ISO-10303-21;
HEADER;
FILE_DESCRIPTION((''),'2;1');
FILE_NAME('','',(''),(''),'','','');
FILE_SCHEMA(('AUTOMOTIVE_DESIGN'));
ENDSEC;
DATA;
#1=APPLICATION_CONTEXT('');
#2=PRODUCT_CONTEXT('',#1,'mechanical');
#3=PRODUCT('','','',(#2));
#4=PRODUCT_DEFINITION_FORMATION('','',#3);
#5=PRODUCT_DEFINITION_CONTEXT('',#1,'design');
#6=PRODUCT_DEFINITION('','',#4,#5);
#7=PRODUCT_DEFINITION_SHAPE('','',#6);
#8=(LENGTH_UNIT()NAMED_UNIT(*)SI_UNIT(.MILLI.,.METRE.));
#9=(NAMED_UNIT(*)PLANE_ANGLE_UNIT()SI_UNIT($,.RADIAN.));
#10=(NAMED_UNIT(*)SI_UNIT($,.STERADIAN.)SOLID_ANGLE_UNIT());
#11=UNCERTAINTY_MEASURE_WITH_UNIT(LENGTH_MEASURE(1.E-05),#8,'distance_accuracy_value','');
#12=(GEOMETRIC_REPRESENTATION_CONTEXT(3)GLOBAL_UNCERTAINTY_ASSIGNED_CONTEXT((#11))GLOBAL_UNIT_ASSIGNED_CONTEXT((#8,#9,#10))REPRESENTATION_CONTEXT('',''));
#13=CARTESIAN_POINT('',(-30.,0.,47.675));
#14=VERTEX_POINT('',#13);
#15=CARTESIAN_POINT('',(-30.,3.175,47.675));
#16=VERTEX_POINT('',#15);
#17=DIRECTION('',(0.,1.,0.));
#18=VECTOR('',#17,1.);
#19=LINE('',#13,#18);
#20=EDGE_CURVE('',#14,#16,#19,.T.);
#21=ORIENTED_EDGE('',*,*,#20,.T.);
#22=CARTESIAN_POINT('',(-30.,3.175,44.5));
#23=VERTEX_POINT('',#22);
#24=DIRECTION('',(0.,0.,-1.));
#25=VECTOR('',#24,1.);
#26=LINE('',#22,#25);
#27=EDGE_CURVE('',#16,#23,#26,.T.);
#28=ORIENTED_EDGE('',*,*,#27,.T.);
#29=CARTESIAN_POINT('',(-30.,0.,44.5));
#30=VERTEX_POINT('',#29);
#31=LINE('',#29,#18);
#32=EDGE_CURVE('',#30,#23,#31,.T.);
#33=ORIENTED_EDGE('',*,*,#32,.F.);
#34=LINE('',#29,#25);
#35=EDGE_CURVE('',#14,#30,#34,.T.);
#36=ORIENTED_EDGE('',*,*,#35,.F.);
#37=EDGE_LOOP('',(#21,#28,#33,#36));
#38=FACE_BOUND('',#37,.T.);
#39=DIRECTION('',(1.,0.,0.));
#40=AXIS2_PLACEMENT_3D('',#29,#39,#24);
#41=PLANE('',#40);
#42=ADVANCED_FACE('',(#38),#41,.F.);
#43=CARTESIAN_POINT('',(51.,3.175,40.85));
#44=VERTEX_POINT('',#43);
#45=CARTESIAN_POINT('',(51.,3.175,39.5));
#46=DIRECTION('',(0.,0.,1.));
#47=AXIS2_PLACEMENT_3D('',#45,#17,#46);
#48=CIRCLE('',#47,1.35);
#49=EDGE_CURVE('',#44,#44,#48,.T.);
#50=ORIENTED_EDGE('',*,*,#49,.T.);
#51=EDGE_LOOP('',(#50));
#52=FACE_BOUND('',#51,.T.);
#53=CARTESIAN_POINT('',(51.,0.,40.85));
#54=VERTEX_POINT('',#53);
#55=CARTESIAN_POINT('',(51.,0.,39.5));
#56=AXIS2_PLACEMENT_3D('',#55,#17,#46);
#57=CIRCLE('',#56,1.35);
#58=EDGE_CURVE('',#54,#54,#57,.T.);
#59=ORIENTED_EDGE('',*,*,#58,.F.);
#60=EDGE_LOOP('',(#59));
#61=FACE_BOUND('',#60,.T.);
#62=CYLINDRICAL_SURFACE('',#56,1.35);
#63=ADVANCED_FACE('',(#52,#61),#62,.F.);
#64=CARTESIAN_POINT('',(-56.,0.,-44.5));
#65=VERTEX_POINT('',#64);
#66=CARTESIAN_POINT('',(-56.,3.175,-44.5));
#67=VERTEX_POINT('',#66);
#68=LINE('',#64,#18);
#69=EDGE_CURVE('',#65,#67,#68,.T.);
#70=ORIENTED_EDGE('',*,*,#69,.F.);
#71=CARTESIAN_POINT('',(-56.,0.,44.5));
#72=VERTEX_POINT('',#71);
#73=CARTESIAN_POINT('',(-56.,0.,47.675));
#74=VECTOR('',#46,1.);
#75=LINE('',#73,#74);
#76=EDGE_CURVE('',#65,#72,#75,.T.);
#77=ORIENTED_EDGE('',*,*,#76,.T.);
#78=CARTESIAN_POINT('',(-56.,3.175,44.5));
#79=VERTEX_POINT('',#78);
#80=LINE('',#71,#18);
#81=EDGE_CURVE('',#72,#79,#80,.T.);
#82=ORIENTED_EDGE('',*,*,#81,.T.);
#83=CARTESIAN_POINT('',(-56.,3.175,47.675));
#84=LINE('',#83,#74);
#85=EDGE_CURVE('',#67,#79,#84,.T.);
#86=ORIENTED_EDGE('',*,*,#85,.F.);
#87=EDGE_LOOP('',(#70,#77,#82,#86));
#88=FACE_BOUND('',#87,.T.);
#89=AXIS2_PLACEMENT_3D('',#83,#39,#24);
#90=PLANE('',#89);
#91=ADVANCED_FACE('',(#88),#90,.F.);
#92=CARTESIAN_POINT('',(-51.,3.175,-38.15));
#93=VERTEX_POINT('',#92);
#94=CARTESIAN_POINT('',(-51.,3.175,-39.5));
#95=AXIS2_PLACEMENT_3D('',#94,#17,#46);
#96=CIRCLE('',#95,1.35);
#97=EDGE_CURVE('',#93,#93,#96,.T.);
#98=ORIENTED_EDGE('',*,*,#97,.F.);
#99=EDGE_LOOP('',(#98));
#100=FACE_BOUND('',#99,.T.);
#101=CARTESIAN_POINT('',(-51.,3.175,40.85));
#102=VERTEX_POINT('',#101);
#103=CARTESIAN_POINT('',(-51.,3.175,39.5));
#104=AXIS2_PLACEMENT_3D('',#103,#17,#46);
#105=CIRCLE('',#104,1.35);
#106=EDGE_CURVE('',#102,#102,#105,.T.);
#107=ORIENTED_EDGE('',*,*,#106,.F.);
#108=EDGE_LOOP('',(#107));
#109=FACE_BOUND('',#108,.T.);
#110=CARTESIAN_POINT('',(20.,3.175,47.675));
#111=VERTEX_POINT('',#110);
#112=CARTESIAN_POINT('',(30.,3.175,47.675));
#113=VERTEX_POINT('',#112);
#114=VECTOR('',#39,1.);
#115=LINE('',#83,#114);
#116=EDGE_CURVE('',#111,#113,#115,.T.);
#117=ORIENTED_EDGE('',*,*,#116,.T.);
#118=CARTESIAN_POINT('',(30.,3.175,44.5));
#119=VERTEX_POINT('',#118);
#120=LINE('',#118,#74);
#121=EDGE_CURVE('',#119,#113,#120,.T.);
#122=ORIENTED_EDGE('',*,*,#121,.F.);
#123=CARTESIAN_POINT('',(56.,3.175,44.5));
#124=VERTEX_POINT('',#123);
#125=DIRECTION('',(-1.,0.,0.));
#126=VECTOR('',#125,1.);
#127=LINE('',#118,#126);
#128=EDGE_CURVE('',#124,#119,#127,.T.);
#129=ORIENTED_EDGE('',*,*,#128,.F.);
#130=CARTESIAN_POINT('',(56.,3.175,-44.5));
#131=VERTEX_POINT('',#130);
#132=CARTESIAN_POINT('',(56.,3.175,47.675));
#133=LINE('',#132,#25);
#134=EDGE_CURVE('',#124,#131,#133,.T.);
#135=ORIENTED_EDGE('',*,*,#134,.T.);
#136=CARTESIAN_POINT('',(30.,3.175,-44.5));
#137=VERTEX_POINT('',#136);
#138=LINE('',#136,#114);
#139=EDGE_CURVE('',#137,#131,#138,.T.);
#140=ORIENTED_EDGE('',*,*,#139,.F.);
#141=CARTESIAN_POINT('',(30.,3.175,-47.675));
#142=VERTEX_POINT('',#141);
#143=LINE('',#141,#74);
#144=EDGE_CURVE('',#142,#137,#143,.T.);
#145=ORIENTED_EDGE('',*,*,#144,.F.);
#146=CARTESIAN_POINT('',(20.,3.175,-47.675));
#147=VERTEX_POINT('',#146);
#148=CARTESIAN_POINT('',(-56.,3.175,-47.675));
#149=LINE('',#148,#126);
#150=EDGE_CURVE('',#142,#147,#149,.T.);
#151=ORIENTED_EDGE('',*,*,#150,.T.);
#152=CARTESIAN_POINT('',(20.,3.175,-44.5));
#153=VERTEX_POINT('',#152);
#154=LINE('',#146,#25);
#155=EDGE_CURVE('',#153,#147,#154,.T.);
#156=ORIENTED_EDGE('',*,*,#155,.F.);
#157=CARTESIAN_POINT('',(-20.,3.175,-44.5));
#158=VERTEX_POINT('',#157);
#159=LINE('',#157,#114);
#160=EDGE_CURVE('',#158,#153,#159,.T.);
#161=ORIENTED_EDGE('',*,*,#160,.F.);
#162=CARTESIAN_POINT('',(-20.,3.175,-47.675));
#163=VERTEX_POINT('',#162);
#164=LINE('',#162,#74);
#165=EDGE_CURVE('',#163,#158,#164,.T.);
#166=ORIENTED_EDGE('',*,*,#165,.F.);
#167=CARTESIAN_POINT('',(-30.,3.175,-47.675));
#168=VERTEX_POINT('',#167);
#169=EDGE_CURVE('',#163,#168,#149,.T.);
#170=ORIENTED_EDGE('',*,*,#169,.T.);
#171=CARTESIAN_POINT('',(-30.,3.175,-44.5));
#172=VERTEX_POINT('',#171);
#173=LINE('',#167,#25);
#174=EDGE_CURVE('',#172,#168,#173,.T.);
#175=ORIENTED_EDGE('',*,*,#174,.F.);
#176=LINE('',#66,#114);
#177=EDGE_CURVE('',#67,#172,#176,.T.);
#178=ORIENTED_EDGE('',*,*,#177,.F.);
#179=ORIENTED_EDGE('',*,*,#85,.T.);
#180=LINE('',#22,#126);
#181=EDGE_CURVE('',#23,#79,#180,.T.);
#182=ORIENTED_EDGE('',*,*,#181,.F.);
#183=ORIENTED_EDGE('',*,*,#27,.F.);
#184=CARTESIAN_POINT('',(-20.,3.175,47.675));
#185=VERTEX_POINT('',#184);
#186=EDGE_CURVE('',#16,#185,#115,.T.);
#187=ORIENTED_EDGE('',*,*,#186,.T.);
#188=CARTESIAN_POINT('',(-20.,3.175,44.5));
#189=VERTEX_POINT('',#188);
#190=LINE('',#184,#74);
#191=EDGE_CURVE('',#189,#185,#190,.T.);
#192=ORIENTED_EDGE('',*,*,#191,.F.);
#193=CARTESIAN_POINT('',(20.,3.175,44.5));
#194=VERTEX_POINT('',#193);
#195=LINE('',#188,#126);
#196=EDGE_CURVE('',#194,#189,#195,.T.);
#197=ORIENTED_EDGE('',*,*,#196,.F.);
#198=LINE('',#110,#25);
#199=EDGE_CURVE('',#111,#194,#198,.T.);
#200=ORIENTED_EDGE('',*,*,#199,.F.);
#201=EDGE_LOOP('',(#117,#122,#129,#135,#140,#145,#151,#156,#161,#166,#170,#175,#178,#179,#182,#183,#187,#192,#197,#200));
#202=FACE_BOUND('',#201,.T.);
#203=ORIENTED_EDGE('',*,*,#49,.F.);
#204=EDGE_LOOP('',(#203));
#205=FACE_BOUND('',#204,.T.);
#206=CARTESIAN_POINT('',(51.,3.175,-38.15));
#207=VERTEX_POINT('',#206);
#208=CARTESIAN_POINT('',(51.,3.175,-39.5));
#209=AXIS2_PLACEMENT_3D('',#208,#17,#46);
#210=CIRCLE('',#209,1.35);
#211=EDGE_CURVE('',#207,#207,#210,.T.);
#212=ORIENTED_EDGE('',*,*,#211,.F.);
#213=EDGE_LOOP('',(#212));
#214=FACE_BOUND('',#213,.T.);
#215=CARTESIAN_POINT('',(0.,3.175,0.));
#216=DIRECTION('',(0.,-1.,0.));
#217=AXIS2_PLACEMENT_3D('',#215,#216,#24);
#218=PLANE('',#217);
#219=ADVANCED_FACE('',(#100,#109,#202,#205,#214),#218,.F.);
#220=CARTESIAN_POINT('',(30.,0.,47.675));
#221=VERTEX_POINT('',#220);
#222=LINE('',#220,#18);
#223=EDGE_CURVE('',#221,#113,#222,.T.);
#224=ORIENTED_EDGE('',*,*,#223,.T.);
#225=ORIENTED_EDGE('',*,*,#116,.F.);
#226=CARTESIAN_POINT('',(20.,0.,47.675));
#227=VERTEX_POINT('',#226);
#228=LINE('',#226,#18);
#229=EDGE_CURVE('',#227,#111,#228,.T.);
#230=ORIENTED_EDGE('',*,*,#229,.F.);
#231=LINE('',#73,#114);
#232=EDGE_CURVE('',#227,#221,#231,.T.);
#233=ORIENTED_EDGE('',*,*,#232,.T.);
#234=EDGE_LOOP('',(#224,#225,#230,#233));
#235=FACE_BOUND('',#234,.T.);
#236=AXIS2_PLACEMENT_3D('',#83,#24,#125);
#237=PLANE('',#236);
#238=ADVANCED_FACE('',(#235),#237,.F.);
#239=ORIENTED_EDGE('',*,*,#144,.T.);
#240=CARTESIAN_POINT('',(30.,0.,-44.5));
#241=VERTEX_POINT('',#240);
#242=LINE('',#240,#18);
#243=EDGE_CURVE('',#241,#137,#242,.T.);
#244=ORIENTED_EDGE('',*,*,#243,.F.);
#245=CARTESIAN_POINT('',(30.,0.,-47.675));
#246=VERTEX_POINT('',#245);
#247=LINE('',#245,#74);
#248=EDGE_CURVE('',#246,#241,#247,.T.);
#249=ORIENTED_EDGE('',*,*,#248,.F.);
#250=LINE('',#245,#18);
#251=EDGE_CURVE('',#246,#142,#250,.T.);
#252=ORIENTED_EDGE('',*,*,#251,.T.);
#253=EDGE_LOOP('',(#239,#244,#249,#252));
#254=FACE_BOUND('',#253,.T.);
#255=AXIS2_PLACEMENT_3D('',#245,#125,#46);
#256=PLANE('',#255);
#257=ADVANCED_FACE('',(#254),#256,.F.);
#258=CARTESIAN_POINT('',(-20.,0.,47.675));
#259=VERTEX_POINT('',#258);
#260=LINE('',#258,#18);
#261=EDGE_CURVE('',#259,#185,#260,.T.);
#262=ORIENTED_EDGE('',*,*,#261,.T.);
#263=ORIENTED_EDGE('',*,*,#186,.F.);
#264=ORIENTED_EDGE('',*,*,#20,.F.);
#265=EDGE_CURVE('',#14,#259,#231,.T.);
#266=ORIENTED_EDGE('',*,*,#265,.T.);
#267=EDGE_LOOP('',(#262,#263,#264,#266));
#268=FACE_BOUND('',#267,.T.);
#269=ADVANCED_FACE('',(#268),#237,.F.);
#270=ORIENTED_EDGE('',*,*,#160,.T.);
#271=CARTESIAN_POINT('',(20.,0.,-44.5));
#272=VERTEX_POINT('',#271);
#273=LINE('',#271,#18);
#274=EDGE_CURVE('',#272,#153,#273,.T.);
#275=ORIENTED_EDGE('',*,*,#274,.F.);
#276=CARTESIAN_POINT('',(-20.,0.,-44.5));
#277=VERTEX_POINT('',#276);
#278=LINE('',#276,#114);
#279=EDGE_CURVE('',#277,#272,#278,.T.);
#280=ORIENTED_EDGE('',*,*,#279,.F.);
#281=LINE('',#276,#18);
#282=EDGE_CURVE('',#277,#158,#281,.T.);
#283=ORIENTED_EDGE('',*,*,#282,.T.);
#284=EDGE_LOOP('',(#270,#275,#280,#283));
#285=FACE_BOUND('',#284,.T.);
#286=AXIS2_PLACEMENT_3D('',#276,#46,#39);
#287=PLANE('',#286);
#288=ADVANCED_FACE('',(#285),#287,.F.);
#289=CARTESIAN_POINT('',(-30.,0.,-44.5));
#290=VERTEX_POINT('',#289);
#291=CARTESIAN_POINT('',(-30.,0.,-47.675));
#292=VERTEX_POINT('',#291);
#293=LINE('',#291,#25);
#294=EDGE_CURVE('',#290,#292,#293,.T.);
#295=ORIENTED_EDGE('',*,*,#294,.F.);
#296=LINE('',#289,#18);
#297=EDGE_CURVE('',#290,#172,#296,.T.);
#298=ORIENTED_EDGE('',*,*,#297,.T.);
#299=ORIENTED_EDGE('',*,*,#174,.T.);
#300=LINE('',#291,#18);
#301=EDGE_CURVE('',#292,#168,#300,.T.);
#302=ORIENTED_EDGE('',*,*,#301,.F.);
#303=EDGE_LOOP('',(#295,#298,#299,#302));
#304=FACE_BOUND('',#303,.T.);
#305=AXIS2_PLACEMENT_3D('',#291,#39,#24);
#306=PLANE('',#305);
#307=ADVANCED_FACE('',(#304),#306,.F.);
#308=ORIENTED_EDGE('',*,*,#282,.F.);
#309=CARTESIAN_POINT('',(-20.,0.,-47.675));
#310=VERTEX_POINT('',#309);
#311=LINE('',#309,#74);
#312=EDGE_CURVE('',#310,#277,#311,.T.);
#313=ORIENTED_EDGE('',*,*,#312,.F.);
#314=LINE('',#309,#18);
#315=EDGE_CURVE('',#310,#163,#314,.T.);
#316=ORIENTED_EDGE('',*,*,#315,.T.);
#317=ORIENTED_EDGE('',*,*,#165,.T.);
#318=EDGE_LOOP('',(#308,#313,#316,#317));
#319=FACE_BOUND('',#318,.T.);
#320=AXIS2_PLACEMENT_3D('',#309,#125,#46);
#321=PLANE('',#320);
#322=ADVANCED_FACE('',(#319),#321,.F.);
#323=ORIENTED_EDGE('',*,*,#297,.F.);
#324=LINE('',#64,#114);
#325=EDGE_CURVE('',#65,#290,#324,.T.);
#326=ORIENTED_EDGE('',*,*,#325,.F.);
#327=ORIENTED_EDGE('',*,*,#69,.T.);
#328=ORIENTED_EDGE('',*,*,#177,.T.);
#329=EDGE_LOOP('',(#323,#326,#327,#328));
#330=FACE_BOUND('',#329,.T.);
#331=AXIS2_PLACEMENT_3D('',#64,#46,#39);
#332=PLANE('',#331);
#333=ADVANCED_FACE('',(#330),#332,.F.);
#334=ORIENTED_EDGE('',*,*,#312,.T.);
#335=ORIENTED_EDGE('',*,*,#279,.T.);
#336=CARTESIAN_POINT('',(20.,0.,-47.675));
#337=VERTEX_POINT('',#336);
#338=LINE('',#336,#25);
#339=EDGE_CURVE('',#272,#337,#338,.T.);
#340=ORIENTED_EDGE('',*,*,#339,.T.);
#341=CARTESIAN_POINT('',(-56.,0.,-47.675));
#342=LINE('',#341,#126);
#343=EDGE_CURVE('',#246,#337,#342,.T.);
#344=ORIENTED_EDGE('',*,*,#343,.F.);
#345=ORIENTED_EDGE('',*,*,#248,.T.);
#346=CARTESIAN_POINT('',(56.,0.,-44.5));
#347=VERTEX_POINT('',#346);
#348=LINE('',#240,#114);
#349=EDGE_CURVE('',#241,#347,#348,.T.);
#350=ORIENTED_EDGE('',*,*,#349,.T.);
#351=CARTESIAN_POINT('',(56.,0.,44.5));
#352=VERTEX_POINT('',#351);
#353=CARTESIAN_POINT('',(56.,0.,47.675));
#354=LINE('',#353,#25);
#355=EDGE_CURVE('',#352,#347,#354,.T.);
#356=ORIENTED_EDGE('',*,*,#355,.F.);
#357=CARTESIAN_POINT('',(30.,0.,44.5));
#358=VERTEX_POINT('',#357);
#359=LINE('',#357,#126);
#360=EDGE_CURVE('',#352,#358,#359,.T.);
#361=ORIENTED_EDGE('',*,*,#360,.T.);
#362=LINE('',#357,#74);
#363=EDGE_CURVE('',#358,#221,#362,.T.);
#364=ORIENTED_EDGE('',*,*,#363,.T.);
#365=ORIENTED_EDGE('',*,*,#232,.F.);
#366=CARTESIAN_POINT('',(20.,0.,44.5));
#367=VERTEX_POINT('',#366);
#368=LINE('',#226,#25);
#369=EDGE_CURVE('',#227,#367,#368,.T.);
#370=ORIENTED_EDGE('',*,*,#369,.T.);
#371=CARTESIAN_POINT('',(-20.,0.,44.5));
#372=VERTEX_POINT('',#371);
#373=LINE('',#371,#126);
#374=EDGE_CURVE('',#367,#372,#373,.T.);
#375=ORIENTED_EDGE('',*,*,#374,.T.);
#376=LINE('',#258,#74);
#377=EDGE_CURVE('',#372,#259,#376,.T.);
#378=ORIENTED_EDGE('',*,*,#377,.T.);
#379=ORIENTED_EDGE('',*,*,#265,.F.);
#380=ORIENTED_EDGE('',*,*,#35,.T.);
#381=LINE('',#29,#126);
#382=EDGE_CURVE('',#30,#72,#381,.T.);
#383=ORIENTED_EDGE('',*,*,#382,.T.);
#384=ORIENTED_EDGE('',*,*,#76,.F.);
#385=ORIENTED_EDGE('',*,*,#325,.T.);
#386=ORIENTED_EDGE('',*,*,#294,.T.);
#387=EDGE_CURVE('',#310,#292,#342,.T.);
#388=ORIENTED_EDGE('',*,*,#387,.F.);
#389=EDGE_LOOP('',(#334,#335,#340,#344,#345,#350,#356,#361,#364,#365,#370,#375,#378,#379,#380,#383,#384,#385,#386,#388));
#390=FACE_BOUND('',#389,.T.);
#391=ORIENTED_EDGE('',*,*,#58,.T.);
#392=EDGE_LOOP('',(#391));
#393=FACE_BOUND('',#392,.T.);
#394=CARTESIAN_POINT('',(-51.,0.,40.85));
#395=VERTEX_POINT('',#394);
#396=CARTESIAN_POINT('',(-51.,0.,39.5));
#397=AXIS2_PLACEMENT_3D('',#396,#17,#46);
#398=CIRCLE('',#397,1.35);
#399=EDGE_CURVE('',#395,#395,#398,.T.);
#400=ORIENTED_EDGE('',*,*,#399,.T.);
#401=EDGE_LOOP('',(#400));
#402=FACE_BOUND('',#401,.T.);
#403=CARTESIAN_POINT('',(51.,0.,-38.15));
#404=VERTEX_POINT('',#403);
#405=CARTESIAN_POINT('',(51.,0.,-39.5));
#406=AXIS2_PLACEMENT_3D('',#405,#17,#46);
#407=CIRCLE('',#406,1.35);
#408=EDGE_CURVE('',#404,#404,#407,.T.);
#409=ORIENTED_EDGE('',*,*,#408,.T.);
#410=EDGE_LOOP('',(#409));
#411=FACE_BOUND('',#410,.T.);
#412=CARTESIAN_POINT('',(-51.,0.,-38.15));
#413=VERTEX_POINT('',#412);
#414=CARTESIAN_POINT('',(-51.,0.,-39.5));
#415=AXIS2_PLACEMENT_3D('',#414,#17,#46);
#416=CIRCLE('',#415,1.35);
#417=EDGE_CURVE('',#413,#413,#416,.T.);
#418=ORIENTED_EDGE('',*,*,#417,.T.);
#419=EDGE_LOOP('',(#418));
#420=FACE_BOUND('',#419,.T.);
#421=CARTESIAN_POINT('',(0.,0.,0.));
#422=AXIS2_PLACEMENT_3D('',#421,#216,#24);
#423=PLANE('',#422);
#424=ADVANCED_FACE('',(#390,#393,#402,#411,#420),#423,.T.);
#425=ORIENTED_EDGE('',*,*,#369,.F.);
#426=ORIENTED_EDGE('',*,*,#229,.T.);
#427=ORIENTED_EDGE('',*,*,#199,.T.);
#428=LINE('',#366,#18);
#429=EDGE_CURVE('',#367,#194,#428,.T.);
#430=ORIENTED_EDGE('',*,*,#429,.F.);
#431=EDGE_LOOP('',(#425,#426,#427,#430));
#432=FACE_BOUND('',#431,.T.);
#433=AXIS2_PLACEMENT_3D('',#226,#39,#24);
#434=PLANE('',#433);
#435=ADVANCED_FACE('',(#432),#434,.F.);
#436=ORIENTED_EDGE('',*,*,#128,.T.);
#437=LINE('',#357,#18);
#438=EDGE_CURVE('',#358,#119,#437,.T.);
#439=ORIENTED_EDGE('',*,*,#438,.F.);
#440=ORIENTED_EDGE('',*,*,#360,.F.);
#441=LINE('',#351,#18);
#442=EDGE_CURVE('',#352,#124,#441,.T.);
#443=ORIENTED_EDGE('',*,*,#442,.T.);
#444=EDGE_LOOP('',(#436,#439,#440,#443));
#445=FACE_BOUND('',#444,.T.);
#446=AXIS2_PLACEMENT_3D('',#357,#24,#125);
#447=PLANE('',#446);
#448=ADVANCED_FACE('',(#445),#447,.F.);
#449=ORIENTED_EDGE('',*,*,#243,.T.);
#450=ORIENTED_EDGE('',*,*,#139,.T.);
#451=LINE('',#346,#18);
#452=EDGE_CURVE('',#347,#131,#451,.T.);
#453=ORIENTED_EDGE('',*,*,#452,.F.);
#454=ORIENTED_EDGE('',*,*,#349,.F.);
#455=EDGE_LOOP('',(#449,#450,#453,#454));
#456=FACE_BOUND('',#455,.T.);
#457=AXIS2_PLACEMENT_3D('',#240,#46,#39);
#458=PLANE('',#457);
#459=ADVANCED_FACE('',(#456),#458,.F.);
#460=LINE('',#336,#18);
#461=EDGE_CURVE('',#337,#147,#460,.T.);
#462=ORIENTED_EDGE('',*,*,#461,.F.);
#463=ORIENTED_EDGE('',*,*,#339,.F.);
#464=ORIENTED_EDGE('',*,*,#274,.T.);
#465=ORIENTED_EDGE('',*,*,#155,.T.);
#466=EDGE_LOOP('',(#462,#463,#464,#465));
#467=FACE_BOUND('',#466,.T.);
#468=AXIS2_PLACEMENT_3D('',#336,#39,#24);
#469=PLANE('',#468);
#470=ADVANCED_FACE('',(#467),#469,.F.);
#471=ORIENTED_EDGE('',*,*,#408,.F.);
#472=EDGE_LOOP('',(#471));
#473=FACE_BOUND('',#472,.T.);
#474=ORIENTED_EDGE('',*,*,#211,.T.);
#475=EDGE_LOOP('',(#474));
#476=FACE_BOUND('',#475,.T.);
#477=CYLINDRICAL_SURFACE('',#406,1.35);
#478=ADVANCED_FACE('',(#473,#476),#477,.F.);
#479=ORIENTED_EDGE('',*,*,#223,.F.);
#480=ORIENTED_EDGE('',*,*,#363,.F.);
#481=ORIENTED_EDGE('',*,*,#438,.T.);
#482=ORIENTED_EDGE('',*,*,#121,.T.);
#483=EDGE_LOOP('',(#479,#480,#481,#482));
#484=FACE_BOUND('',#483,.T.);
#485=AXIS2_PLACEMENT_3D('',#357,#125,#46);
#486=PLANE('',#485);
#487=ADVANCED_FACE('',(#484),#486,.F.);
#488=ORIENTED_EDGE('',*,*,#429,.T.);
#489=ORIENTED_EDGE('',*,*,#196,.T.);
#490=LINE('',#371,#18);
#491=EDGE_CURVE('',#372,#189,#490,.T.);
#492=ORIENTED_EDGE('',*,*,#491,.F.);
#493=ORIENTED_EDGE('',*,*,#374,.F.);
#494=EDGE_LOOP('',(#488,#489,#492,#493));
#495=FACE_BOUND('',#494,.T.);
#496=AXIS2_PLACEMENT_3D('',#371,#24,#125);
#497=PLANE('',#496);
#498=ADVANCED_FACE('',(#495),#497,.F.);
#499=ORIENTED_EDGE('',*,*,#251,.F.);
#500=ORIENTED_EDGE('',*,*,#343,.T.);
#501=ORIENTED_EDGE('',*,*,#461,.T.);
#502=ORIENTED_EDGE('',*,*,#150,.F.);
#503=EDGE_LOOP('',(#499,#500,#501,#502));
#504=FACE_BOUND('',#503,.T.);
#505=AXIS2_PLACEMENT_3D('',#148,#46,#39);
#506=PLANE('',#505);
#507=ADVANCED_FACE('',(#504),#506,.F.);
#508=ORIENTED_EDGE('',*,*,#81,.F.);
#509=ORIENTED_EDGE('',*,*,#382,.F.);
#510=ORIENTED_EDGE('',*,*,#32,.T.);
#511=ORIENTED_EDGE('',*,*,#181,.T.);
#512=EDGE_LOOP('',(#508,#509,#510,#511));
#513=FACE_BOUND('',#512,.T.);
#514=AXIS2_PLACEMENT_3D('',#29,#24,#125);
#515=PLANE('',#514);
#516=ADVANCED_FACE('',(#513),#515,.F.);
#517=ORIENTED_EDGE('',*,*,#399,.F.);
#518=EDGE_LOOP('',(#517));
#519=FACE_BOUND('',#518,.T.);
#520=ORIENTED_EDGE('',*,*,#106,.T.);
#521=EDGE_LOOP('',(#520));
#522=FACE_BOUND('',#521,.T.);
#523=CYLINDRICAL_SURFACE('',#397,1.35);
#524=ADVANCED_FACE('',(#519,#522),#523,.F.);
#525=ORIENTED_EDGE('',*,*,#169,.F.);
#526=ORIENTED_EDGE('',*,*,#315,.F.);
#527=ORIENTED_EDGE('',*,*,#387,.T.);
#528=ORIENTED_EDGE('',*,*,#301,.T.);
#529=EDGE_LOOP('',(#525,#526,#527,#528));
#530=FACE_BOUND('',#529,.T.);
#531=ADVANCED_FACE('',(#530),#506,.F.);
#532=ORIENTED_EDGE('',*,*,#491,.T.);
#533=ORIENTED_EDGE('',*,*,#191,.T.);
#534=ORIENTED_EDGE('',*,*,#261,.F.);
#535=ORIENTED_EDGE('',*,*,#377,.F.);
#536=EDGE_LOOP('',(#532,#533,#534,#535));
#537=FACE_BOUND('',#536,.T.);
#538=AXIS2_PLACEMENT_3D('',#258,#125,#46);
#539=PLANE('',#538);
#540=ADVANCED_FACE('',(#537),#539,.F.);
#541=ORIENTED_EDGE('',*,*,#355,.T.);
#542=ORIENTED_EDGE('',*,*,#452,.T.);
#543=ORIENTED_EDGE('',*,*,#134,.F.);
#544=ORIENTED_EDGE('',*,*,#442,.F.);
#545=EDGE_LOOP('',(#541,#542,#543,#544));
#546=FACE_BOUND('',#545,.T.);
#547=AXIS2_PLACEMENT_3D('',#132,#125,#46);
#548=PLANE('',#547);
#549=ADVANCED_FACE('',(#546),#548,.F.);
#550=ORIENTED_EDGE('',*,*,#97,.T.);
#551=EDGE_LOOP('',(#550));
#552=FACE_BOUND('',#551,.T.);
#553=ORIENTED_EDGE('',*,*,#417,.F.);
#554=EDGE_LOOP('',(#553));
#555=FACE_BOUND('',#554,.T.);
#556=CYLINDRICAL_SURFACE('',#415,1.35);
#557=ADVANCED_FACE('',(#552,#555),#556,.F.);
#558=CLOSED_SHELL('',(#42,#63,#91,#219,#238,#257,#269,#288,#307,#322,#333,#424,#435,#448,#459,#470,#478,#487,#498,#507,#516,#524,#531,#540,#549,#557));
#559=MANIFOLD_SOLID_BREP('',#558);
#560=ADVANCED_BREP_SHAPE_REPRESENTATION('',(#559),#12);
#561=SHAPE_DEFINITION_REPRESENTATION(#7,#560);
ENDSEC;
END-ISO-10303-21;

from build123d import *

# Parameters (mm, degrees)
SKETCH1_W           = 112
SKETCH1_H           = 95.35
BOSS_EXTRUDE1_DEPTH = 3.175
SKETCH2_W           = 40
SKETCH2_H           = 3.175
SKETCH2_W_2         = 26
CUT_EXTRUDE1_DEPTH  = 74.613763998
SKETCH3_R           = 1.35
CUT_EXTRUDE2_DEPTH  = 74.613763998


with BuildPart() as part:
    # Sketch1 → Boss-Extrude1 (new body)
    with BuildSketch(Plane(origin=(0, 0, 0), x_dir=(1, 0, 0), z_dir=(0, 1, 0))):
        Rectangle(SKETCH1_W, SKETCH1_H)
    extrude(amount=BOSS_EXTRUDE1_DEPTH)

    # Sketch2 → Cut-Extrude1 (cut, through all)
    with BuildSketch(Plane(origin=(0, 3.175, 0), x_dir=(1, 0, 0), z_dir=(0, 1, 0))):
        with Locations((0, 46.0875)):
            Rectangle(SKETCH2_W, SKETCH2_H)
        with Locations((43, 46.0875)):
            Rectangle(SKETCH2_W_2, SKETCH2_H)
        with Locations((-43, 46.0875)):
            Rectangle(SKETCH2_W_2, SKETCH2_H)
        with Locations((0, -46.0875)):
            Rectangle(SKETCH2_W, SKETCH2_H)
        with Locations((-43, -46.0875)):
            Rectangle(SKETCH2_W_2, SKETCH2_H)
        with Locations((43, -46.0875)):
            Rectangle(SKETCH2_W_2, SKETCH2_H)
    extrude(amount=-CUT_EXTRUDE1_DEPTH, mode=Mode.SUBTRACT)

    # Sketch3 → Cut-Extrude2 (cut, through all)
    with BuildSketch(Plane(origin=(0, 3.175, 0), x_dir=(1, 0, 0), z_dir=(0, 1, 0))):
        with Locations(Location((-51, 39.5, 0), (0, 0, 270))):
            Circle(SKETCH3_R)
        with Locations(Location((51, 39.5, 0), (0, 0, 270))):
            Circle(SKETCH3_R)
        with Locations(Location((-51, -39.5, 0), (0, 0, 270))):
            Circle(SKETCH3_R)
        with Locations(Location((51, -39.5, 0), (0, 0, 270))):
            Circle(SKETCH3_R)
    extrude(amount=-CUT_EXTRUDE2_DEPTH, mode=Mode.SUBTRACT)


solid = part.part
